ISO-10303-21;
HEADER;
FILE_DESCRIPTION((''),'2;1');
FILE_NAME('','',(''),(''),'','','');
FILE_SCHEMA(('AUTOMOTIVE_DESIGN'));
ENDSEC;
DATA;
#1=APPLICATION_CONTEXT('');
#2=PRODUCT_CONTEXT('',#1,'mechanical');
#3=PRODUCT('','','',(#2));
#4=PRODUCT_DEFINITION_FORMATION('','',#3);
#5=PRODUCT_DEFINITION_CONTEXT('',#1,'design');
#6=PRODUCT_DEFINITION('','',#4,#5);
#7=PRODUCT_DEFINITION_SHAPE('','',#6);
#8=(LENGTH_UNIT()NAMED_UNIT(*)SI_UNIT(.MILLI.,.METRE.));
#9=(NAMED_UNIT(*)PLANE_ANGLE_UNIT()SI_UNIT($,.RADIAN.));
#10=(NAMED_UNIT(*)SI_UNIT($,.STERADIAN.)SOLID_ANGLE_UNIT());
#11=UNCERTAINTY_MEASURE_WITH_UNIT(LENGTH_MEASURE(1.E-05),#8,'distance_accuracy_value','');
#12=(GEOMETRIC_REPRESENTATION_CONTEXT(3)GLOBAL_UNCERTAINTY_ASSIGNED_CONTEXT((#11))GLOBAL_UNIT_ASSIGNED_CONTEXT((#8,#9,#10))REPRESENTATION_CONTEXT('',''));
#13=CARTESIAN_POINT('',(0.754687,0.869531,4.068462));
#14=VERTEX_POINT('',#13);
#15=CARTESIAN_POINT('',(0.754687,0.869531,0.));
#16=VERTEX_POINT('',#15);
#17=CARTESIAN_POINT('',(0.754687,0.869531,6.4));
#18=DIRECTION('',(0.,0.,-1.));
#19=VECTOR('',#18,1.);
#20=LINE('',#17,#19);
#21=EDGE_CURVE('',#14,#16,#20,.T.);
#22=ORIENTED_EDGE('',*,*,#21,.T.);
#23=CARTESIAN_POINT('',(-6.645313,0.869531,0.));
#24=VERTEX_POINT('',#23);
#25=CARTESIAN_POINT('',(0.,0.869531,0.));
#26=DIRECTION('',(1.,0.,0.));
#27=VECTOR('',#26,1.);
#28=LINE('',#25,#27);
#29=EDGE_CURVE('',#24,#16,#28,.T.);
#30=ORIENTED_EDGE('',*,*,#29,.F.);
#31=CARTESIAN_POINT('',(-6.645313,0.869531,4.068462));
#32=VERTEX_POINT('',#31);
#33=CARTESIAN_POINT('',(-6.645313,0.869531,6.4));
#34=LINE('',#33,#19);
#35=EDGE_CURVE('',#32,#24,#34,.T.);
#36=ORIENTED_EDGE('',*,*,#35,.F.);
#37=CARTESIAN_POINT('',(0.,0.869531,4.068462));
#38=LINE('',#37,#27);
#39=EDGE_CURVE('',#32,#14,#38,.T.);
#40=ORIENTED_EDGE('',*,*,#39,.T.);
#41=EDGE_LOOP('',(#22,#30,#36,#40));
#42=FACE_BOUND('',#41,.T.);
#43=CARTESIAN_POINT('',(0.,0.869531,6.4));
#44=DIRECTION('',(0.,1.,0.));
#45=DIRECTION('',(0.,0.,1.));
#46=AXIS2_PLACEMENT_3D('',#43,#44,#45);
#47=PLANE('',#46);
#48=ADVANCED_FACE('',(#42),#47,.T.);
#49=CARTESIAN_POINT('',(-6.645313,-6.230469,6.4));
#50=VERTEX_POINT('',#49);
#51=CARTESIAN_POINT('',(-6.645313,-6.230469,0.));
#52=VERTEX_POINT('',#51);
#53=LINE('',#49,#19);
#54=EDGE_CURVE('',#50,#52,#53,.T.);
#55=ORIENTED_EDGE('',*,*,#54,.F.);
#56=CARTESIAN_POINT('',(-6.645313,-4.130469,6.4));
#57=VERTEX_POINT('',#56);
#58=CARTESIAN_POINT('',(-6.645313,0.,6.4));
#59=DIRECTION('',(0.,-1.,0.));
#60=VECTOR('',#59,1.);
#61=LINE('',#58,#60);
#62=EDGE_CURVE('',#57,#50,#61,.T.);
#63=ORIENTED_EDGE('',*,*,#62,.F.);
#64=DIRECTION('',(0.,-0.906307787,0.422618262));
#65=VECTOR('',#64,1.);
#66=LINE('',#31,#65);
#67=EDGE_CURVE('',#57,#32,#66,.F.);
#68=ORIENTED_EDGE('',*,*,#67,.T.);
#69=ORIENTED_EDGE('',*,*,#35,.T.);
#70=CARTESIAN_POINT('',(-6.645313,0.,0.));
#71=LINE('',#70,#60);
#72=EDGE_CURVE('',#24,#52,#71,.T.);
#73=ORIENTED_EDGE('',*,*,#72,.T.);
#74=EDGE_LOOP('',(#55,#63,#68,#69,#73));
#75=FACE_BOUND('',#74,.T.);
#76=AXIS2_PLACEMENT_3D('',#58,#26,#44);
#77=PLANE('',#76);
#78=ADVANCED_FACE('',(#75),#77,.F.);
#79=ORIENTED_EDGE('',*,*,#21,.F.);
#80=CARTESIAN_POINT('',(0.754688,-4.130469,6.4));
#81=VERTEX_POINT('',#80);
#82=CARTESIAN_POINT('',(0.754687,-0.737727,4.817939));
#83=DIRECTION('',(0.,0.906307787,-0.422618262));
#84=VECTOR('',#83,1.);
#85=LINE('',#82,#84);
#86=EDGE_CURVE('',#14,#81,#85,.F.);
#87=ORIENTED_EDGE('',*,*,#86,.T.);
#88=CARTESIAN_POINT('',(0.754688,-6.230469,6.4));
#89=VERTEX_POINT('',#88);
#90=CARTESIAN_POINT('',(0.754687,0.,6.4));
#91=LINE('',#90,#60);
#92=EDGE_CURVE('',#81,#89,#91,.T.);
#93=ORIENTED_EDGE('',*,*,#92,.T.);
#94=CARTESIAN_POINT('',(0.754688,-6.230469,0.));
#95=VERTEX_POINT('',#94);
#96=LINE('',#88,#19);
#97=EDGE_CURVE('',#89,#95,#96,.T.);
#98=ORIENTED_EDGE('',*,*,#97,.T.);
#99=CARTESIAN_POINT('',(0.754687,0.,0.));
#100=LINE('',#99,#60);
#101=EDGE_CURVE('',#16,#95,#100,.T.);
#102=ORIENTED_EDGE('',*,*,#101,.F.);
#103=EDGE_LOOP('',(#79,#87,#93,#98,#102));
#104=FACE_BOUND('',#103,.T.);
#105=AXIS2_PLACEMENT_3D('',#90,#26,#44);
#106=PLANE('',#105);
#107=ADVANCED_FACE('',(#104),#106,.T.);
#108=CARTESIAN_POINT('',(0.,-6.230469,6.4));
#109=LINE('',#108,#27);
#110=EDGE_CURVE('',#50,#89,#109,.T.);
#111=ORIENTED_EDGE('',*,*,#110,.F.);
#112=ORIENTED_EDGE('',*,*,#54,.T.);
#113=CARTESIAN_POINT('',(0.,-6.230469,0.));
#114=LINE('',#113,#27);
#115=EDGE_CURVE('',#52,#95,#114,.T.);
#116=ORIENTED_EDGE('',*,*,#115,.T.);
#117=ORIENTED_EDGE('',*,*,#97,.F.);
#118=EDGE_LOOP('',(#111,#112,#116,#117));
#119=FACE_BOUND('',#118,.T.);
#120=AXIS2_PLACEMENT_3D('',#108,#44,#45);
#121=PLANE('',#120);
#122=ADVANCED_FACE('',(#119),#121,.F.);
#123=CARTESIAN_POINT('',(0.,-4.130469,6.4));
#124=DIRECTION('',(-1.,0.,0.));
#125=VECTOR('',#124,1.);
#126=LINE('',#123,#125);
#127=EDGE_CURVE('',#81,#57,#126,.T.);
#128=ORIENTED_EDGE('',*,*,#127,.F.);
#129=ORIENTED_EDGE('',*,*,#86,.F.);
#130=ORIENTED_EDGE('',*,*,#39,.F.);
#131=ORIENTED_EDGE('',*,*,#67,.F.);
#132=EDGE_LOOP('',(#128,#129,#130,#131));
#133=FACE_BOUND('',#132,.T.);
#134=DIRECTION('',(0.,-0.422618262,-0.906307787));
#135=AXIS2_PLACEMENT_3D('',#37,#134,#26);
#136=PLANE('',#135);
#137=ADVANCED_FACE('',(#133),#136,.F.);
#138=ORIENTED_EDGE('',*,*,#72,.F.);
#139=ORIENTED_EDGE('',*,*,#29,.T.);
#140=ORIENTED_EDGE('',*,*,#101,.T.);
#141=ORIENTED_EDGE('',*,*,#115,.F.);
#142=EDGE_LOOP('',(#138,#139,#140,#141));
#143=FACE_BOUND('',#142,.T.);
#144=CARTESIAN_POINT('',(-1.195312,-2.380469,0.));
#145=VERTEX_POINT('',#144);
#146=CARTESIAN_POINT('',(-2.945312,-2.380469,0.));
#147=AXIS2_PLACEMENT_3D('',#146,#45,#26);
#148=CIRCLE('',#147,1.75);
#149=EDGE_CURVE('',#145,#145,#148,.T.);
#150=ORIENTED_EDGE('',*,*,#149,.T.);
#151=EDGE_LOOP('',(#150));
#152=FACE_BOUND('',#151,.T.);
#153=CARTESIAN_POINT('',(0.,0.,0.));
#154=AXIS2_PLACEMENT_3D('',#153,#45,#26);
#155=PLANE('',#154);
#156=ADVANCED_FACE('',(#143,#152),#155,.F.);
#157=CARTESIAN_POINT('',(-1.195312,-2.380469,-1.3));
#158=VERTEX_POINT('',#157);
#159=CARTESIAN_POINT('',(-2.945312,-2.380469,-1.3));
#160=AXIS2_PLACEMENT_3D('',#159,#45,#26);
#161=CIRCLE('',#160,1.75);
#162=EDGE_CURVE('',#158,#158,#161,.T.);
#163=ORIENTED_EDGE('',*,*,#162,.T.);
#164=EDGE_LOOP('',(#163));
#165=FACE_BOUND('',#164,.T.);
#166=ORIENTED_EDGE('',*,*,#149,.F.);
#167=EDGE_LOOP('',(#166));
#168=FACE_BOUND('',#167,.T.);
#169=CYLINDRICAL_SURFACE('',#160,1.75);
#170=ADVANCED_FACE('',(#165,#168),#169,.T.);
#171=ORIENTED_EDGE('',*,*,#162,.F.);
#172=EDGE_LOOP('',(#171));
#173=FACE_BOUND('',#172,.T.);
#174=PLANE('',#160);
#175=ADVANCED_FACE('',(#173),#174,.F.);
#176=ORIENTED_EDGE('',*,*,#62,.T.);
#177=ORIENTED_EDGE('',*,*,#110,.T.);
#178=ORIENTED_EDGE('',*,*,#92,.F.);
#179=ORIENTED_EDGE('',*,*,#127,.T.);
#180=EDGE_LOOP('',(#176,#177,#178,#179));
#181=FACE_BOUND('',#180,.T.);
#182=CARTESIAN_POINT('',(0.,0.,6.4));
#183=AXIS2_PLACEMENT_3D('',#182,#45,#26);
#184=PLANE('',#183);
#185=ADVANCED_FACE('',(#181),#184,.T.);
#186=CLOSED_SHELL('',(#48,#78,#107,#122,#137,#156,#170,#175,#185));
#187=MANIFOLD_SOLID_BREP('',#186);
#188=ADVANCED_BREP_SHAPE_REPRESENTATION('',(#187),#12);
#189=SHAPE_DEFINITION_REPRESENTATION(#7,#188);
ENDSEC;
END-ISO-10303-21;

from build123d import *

# Parameters (mm, degrees)
SKETCH_1_W      = 7.4
SKETCH_1_H      = 7.1
EXTRUDE_1_DEPTH = 6.4
SKETCH_1_3_R    = 1.75
EXTRUDE_2_DEPTH = 1.3
CHAMFER_1_SIZE  = 5
CHAMFER_1_SIZE2 = 2.331538291


with BuildPart() as part:
    # Эскиз1 → Бобышка-Вытянуть1 (new body)
    with BuildSketch(Plane.XY):
        with Locations((-2.9453125, -2.68046875)):
            Rectangle(SKETCH_1_W, SKETCH_1_H)
    extrude(amount=EXTRUDE_1_DEPTH)

    # Эскиз1<3> → Бобышка-Вытянуть2 (add)
    with BuildSketch(Plane.XY):
        with Locations((-2.9453125, -2.38046875)):
            Circle(SKETCH_1_3_R)
    extrude(amount=-EXTRUDE_2_DEPTH)

    # Фаска1
    chamfer_1_edges = [part.edges().sort_by_distance(p)[0] for p in [
        (-2.9453125, 0.86953125, 6.4),
    ]]
    chamfer_1_side = [part.faces().sort_by_distance(p)[0] for p in [
        (-2.9453125, -2.68046875, 6.4),
    ]]
    chamfer(chamfer_1_edges, length=CHAMFER_1_SIZE, length2=CHAMFER_1_SIZE2, reference=chamfer_1_side[0])


solid = part.part
